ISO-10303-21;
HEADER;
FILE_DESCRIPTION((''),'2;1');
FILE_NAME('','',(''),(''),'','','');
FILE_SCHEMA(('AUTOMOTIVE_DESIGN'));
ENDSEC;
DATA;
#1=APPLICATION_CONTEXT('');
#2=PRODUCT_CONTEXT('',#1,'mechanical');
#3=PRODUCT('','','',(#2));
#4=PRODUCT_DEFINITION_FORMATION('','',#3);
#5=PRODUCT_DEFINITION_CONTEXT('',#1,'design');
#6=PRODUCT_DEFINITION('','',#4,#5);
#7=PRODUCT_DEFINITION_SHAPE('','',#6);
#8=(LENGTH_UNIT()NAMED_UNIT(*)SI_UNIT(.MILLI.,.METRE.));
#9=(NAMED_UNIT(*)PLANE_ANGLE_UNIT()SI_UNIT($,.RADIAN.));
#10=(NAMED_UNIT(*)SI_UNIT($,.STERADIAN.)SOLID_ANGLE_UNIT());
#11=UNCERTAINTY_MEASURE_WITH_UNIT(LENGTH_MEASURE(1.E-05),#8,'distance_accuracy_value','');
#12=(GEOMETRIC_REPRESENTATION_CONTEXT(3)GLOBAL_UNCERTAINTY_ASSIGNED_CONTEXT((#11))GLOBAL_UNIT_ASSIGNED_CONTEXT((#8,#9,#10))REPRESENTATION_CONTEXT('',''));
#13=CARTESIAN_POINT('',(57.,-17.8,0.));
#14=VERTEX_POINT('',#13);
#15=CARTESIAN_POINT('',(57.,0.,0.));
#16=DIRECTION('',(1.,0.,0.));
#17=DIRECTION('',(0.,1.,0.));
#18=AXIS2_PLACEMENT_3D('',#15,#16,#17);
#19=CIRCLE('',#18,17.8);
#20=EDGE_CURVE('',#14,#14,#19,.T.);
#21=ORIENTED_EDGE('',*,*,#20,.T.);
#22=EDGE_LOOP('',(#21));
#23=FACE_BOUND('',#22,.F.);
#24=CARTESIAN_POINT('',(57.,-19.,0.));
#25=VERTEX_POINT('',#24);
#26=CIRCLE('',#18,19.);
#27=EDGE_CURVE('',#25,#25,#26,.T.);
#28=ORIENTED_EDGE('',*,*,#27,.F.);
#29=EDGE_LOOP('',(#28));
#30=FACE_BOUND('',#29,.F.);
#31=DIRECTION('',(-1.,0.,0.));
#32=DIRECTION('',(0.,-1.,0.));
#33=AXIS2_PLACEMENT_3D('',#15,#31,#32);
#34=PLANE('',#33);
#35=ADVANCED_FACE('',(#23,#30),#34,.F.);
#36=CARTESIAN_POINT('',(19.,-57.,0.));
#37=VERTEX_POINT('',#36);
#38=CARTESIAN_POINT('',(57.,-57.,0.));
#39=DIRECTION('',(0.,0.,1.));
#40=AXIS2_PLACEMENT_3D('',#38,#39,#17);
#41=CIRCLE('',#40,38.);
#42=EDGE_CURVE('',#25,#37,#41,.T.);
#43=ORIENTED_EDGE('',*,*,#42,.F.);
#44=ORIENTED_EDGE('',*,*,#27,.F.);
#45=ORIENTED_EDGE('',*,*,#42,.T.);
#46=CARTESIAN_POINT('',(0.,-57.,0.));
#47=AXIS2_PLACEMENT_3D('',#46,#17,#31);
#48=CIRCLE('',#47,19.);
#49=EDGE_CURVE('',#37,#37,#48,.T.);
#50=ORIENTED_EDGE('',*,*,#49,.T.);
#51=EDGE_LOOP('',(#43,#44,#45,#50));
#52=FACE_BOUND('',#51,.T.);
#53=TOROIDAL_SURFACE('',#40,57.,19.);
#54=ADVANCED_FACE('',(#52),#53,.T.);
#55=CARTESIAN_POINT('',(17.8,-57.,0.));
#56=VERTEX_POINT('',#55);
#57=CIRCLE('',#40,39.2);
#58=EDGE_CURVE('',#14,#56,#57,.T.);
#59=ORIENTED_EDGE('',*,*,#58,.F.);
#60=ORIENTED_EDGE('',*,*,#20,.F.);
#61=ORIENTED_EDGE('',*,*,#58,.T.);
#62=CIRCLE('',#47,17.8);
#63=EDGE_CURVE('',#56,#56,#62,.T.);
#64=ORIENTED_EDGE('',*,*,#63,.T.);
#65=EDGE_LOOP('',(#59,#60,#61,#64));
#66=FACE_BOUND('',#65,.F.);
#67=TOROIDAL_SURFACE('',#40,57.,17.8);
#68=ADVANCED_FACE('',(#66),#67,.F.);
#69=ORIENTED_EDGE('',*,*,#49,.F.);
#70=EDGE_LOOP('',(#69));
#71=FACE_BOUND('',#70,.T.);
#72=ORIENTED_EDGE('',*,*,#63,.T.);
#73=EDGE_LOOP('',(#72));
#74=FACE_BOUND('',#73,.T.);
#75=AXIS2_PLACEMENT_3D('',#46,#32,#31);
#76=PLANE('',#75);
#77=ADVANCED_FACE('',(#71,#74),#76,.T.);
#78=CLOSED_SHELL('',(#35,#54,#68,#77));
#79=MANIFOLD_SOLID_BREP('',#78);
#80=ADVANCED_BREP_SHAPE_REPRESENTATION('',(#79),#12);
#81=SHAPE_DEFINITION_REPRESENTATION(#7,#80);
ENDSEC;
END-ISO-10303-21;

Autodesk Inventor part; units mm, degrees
ref_plane "YZ Plane" through (0, 0, 0) normal (1, 0, 0) x (0, 1, 0)
ref_plane "XZ Plane" through (0, 0, 0) normal (0, 1, 0) x (-1, 0, 0)
sketch "Szkic6" plane through (0, 0, 0) normal (0, 0, 1) x (1, 0, 0)
  line L0 (-29.6067, 0) -> (35.2678, 0) construction
  line L1 (0, 42.3419) -> (0, -58.3726) construction
  arc A0 (57, 0) -> (0, -57) centre (57, -57) ccw
  line L2 (0, -57) -> (57, -57) construction
  line L3 (57, -57) -> (57, 8.5331) construction
  line L4 (57, 0) -> (57, 0)
  line L5 (0, -57) -> (0, -57)
  point P0 (0, 0)
  dimension "d24" = 57
  dimension "d31" = 90
  dimension "d36" = 0
  dimension "d37" = 0
ref_plane "Płaszczyzna konstrukcyjna2" through (0, -57, 0) normal (0, -1, 0) x (1, 0, 0)
sketch "Szkic8" plane through (0, -57, 0) normal (0, -1, 0) x (1, 0, 0)
  circle A0 centre (0, 0) radius 19
  circle A1 centre (0, 0) radius 17.8
  dimension "d32" = 38
  dimension "d33" = 1.2
sweep "Przeciągnięcie2" add profiles "Szkic8" path "Szkic6"
equation "\"d32\" = OD"
equation "\"d33\" = THK"
equation "\"d24\" = R"
equation "\"d31\" = KAT"
equation "\"SzerokośćGięciaPodcięcia\" = Grubość"
equation "\"RozmiarPodcięciaNarożnika\" = 4 * Grubość"
equation "\"PromieńPrzejścia\" = PromieńGięcia"
equation "\"Rozmiar_promienia_Jacobiego\" = PromieńGięcia"
equation "\"Wielk_odstępu\" = Grubość"
equation "\"d2\" = PromieńGięcia"
equation "\"d23\" = PromieńGięcia"
equation "\"R\" = 57"
equation "\"OD\" = 38"
equation "\"THK\" = 1.2"
equation "\"KAT\" = 90deg"
equation "\"PROSTKA\" = 0"
equation "\"Grubość\" = 1.5"
equation "\"PromieńGięcia\" = 3"
properties part number "Kolano 90° ø38x1,2 R57" material "304L"
